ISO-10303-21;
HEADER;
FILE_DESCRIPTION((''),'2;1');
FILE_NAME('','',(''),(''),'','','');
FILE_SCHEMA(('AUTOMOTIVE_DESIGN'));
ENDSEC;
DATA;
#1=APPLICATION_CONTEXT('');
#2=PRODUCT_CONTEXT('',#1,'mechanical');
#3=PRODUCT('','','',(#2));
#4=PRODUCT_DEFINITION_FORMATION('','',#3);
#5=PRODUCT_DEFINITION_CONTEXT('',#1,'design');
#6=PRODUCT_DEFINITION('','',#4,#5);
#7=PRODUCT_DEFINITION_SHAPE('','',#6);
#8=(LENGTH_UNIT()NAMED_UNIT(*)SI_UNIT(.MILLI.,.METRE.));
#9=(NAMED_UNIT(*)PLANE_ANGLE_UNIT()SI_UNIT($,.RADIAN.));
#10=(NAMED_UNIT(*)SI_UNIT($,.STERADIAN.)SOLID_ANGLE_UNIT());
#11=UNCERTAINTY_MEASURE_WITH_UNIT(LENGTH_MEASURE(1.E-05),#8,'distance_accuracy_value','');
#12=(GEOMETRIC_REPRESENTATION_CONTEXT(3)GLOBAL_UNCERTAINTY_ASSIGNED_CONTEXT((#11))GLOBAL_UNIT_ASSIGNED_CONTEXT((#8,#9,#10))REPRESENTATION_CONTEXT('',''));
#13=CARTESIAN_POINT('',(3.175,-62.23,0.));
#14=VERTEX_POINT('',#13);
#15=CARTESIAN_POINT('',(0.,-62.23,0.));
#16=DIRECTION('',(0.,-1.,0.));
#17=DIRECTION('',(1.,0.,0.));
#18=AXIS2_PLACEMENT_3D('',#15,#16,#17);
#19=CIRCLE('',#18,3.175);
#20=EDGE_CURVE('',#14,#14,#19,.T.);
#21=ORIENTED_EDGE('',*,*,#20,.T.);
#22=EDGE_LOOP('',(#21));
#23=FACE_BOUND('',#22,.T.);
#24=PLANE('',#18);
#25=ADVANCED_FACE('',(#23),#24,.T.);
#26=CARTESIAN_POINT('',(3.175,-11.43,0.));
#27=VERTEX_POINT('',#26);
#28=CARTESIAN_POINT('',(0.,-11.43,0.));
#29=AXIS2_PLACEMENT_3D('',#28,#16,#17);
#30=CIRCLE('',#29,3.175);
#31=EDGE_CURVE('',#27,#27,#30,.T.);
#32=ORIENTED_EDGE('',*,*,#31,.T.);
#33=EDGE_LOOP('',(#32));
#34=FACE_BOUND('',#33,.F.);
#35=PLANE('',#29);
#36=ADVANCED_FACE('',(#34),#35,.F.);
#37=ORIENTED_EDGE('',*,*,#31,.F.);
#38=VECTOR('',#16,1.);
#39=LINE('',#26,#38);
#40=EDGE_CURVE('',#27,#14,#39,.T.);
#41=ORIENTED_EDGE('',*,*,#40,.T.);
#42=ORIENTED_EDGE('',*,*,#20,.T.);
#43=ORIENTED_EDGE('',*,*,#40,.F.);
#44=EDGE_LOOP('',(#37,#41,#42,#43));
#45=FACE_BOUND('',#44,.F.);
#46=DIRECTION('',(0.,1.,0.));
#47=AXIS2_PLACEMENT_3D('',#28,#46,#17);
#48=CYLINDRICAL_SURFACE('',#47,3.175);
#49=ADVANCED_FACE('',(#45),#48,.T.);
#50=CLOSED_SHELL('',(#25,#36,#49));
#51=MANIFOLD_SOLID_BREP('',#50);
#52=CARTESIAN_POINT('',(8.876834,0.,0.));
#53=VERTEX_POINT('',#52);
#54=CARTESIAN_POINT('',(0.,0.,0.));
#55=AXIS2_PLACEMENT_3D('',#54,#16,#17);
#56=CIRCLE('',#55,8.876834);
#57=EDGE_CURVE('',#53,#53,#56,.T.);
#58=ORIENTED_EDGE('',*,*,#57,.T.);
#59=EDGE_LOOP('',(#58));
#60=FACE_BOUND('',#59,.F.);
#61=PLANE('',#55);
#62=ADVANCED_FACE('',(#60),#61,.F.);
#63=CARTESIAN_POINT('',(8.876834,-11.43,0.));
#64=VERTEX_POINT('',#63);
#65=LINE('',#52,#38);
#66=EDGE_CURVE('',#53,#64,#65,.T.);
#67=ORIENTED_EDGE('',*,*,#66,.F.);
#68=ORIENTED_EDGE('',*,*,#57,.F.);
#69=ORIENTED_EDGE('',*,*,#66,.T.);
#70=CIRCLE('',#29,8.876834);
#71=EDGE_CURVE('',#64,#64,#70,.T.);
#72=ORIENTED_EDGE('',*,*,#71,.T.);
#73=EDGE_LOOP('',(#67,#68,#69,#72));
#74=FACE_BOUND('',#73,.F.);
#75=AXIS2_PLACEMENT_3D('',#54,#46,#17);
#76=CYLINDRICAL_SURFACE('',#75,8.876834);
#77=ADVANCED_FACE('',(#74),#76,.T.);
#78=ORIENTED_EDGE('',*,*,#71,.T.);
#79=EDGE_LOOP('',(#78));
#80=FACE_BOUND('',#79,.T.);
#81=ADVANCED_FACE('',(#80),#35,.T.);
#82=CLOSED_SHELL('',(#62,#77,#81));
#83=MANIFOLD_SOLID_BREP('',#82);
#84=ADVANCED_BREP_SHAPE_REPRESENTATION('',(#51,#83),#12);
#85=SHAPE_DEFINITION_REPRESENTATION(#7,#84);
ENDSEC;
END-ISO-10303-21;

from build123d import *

# Parameters (mm, degrees)
F0_R     = 8.876834
F1_DEPTH = 11.43
F3_R     = 3.175
F4_DEPTH = 50.8


with BuildPart() as f1:
    # F0 (on Front) → F1 (new body)
    with BuildSketch(Plane.XZ):
        Circle(F0_R)
    extrude(amount=F1_DEPTH)


with BuildPart() as f4:
    # F3 (on face) → F4 (new body)
    with BuildSketch(Plane.XZ.offset(11.43)):
        Circle(F3_R)
    extrude(amount=F4_DEPTH)


solid = Compound([f1.part, f4.part])
